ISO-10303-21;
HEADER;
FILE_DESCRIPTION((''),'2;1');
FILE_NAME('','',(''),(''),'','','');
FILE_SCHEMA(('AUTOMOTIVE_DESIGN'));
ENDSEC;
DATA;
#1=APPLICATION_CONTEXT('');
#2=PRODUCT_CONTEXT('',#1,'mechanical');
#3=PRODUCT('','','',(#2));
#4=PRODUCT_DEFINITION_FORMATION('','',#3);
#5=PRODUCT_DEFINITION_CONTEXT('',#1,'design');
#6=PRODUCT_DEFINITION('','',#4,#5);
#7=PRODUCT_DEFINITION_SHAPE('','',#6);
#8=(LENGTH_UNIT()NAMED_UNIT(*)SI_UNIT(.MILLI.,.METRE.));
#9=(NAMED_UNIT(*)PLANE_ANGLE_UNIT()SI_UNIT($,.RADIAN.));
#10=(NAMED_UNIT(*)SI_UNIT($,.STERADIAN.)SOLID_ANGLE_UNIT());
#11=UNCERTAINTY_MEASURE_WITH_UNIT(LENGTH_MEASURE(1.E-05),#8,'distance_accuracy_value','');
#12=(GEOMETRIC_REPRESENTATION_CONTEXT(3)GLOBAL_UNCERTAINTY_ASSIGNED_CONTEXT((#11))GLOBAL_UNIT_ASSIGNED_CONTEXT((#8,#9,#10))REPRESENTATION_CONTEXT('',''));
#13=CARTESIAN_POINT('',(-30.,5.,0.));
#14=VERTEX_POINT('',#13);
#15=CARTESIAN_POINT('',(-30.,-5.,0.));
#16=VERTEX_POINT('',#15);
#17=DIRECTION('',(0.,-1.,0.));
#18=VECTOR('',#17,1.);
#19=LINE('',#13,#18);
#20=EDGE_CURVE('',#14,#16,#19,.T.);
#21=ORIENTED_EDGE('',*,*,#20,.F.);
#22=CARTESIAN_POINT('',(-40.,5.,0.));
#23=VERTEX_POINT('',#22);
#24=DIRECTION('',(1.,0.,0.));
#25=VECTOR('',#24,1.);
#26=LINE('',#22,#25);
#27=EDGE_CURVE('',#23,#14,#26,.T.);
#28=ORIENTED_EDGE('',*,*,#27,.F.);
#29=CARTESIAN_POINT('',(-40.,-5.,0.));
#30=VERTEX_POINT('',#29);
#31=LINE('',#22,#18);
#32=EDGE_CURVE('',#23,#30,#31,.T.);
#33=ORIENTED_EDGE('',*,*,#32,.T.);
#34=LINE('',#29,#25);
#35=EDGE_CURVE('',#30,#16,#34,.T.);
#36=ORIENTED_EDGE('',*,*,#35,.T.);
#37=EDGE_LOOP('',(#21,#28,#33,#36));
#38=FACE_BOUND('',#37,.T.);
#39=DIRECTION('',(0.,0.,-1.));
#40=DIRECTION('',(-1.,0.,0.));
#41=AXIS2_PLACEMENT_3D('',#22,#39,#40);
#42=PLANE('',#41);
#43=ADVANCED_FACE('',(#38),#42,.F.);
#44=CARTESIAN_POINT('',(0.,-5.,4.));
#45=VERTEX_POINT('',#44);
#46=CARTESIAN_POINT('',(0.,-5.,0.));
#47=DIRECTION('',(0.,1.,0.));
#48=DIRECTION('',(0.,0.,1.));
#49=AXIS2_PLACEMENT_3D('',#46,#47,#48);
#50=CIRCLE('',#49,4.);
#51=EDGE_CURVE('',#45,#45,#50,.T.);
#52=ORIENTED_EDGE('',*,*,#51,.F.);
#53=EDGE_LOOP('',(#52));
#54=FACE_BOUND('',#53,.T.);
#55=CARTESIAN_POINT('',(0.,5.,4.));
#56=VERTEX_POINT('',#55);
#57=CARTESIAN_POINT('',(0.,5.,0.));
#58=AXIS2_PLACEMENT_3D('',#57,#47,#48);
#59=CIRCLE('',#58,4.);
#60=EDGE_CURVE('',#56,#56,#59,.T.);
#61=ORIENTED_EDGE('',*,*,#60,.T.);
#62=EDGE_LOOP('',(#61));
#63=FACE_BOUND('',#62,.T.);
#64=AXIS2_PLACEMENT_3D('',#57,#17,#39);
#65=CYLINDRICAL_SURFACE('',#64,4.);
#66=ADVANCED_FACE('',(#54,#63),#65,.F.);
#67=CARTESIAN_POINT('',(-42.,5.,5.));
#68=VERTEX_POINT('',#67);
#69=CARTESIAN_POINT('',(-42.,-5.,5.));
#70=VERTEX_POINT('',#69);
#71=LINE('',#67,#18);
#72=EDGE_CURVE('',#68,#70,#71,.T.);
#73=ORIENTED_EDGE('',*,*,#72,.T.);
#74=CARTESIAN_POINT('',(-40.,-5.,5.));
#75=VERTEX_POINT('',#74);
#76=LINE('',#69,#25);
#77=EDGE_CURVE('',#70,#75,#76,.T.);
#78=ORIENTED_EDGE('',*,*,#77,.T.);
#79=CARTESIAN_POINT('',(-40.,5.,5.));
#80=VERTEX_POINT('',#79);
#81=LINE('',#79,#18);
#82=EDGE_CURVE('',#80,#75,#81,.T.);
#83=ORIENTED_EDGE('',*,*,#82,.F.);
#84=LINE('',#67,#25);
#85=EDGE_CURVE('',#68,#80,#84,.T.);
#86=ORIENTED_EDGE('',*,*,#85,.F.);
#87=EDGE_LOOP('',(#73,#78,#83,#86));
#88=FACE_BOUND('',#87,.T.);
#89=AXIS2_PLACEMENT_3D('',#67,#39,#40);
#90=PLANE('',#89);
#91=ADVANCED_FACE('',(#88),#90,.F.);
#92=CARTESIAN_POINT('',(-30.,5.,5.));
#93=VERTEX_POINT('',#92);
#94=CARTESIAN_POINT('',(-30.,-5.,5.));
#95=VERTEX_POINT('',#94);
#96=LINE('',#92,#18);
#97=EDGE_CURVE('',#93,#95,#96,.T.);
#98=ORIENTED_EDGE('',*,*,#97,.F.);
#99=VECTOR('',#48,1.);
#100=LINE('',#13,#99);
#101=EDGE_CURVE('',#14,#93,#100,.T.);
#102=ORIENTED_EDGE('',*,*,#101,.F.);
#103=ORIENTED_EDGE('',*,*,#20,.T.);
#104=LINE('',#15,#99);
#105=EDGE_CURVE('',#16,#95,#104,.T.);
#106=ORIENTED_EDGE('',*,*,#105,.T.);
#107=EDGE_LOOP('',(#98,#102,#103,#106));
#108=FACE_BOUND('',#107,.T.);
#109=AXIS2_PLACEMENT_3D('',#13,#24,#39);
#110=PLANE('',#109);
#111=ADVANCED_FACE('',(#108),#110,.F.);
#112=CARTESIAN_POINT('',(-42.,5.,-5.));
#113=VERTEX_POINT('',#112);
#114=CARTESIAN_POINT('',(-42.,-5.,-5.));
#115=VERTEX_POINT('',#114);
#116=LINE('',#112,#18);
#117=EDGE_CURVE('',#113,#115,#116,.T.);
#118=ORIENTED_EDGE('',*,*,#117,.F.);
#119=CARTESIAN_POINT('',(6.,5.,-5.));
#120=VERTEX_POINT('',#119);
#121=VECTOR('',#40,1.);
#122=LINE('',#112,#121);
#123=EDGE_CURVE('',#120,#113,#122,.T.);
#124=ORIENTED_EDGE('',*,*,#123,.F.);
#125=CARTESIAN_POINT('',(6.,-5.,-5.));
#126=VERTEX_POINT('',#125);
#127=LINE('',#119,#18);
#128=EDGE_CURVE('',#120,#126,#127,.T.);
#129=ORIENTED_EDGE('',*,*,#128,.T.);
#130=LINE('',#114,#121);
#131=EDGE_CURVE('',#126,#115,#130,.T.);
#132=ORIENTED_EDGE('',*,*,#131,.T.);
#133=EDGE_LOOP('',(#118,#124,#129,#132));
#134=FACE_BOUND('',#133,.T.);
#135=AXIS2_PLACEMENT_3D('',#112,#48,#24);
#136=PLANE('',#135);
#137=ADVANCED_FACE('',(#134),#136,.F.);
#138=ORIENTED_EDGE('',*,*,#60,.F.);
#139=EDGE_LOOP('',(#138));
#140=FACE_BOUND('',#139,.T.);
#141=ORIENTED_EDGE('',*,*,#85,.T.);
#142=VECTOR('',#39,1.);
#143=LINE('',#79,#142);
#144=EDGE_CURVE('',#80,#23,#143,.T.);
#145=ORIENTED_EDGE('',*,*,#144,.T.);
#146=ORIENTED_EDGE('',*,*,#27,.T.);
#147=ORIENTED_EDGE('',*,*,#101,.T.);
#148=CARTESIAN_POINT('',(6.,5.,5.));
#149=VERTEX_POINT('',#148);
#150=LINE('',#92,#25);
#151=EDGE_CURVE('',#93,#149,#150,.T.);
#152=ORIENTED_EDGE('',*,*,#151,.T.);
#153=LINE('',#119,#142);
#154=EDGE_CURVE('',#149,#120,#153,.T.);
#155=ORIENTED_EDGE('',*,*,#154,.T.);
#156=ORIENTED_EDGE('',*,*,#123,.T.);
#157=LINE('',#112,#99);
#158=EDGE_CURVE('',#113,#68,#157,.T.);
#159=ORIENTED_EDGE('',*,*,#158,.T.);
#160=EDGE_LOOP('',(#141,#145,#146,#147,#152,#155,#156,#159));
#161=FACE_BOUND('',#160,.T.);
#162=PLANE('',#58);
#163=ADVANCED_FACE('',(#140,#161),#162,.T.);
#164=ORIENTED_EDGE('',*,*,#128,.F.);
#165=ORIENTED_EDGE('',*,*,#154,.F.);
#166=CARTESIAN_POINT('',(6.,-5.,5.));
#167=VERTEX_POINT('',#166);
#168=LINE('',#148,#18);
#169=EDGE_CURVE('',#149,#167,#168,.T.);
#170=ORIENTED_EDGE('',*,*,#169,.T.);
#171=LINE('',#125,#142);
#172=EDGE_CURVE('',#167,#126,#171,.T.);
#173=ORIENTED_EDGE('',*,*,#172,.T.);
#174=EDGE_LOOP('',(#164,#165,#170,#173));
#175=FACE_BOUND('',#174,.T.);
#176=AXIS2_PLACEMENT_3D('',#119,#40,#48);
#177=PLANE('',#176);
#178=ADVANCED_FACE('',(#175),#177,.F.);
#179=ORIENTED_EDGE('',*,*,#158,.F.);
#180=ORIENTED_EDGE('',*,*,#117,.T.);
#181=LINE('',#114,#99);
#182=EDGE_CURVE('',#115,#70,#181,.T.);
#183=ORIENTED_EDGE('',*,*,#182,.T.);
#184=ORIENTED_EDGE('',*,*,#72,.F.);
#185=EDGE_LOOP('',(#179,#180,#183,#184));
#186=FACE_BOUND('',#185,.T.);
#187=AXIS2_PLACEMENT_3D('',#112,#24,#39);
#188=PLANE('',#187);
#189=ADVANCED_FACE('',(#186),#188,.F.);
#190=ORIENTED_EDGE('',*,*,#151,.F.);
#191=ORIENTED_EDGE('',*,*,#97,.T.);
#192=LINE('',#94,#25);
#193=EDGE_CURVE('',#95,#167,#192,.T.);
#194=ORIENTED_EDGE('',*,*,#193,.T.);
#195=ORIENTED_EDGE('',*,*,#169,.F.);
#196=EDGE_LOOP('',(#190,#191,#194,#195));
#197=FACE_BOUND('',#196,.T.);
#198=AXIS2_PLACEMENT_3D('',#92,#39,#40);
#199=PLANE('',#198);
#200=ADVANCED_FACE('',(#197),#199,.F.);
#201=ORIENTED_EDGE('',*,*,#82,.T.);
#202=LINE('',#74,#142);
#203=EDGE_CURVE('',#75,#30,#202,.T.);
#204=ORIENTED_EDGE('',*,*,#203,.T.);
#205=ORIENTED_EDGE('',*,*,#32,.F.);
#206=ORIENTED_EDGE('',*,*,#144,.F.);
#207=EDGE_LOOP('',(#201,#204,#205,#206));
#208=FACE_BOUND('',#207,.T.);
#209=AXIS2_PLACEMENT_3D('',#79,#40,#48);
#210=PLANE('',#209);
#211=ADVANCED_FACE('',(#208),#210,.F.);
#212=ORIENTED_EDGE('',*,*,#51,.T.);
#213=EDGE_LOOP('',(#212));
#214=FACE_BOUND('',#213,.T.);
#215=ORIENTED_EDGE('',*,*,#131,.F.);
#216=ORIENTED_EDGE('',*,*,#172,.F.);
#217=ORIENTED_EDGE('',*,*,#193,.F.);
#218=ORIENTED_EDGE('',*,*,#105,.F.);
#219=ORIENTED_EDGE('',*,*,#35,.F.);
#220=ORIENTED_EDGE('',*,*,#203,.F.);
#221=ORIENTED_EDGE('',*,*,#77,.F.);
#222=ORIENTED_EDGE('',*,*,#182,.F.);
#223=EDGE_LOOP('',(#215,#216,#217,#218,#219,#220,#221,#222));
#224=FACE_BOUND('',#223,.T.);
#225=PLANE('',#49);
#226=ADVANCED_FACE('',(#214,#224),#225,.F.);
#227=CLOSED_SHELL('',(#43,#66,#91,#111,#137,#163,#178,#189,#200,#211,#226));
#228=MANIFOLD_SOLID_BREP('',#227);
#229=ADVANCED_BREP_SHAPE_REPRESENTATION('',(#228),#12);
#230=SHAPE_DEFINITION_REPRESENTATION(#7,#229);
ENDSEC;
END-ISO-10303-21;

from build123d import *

# Parameters (mm, degrees)
SKETCH_1_R      = 4
EXTRUDE_1_DEPTH = 5


with BuildPart() as part:
    # 草圖1 → 填料-伸長1 (new body, symmetric)
    with BuildSketch(Plane(origin=(0, 0, 0), x_dir=(1, 0, 0), z_dir=(0, 1, 0))):
        Polygon((-40, -5), (-40, 0), (-30, 0), (-30, -5), (6, -5), (6, 5), (-42, 5), (-42, -5), align=None)
        Circle(SKETCH_1_R, mode=Mode.SUBTRACT)
    extrude(amount=EXTRUDE_1_DEPTH, both=True)


solid = part.part
